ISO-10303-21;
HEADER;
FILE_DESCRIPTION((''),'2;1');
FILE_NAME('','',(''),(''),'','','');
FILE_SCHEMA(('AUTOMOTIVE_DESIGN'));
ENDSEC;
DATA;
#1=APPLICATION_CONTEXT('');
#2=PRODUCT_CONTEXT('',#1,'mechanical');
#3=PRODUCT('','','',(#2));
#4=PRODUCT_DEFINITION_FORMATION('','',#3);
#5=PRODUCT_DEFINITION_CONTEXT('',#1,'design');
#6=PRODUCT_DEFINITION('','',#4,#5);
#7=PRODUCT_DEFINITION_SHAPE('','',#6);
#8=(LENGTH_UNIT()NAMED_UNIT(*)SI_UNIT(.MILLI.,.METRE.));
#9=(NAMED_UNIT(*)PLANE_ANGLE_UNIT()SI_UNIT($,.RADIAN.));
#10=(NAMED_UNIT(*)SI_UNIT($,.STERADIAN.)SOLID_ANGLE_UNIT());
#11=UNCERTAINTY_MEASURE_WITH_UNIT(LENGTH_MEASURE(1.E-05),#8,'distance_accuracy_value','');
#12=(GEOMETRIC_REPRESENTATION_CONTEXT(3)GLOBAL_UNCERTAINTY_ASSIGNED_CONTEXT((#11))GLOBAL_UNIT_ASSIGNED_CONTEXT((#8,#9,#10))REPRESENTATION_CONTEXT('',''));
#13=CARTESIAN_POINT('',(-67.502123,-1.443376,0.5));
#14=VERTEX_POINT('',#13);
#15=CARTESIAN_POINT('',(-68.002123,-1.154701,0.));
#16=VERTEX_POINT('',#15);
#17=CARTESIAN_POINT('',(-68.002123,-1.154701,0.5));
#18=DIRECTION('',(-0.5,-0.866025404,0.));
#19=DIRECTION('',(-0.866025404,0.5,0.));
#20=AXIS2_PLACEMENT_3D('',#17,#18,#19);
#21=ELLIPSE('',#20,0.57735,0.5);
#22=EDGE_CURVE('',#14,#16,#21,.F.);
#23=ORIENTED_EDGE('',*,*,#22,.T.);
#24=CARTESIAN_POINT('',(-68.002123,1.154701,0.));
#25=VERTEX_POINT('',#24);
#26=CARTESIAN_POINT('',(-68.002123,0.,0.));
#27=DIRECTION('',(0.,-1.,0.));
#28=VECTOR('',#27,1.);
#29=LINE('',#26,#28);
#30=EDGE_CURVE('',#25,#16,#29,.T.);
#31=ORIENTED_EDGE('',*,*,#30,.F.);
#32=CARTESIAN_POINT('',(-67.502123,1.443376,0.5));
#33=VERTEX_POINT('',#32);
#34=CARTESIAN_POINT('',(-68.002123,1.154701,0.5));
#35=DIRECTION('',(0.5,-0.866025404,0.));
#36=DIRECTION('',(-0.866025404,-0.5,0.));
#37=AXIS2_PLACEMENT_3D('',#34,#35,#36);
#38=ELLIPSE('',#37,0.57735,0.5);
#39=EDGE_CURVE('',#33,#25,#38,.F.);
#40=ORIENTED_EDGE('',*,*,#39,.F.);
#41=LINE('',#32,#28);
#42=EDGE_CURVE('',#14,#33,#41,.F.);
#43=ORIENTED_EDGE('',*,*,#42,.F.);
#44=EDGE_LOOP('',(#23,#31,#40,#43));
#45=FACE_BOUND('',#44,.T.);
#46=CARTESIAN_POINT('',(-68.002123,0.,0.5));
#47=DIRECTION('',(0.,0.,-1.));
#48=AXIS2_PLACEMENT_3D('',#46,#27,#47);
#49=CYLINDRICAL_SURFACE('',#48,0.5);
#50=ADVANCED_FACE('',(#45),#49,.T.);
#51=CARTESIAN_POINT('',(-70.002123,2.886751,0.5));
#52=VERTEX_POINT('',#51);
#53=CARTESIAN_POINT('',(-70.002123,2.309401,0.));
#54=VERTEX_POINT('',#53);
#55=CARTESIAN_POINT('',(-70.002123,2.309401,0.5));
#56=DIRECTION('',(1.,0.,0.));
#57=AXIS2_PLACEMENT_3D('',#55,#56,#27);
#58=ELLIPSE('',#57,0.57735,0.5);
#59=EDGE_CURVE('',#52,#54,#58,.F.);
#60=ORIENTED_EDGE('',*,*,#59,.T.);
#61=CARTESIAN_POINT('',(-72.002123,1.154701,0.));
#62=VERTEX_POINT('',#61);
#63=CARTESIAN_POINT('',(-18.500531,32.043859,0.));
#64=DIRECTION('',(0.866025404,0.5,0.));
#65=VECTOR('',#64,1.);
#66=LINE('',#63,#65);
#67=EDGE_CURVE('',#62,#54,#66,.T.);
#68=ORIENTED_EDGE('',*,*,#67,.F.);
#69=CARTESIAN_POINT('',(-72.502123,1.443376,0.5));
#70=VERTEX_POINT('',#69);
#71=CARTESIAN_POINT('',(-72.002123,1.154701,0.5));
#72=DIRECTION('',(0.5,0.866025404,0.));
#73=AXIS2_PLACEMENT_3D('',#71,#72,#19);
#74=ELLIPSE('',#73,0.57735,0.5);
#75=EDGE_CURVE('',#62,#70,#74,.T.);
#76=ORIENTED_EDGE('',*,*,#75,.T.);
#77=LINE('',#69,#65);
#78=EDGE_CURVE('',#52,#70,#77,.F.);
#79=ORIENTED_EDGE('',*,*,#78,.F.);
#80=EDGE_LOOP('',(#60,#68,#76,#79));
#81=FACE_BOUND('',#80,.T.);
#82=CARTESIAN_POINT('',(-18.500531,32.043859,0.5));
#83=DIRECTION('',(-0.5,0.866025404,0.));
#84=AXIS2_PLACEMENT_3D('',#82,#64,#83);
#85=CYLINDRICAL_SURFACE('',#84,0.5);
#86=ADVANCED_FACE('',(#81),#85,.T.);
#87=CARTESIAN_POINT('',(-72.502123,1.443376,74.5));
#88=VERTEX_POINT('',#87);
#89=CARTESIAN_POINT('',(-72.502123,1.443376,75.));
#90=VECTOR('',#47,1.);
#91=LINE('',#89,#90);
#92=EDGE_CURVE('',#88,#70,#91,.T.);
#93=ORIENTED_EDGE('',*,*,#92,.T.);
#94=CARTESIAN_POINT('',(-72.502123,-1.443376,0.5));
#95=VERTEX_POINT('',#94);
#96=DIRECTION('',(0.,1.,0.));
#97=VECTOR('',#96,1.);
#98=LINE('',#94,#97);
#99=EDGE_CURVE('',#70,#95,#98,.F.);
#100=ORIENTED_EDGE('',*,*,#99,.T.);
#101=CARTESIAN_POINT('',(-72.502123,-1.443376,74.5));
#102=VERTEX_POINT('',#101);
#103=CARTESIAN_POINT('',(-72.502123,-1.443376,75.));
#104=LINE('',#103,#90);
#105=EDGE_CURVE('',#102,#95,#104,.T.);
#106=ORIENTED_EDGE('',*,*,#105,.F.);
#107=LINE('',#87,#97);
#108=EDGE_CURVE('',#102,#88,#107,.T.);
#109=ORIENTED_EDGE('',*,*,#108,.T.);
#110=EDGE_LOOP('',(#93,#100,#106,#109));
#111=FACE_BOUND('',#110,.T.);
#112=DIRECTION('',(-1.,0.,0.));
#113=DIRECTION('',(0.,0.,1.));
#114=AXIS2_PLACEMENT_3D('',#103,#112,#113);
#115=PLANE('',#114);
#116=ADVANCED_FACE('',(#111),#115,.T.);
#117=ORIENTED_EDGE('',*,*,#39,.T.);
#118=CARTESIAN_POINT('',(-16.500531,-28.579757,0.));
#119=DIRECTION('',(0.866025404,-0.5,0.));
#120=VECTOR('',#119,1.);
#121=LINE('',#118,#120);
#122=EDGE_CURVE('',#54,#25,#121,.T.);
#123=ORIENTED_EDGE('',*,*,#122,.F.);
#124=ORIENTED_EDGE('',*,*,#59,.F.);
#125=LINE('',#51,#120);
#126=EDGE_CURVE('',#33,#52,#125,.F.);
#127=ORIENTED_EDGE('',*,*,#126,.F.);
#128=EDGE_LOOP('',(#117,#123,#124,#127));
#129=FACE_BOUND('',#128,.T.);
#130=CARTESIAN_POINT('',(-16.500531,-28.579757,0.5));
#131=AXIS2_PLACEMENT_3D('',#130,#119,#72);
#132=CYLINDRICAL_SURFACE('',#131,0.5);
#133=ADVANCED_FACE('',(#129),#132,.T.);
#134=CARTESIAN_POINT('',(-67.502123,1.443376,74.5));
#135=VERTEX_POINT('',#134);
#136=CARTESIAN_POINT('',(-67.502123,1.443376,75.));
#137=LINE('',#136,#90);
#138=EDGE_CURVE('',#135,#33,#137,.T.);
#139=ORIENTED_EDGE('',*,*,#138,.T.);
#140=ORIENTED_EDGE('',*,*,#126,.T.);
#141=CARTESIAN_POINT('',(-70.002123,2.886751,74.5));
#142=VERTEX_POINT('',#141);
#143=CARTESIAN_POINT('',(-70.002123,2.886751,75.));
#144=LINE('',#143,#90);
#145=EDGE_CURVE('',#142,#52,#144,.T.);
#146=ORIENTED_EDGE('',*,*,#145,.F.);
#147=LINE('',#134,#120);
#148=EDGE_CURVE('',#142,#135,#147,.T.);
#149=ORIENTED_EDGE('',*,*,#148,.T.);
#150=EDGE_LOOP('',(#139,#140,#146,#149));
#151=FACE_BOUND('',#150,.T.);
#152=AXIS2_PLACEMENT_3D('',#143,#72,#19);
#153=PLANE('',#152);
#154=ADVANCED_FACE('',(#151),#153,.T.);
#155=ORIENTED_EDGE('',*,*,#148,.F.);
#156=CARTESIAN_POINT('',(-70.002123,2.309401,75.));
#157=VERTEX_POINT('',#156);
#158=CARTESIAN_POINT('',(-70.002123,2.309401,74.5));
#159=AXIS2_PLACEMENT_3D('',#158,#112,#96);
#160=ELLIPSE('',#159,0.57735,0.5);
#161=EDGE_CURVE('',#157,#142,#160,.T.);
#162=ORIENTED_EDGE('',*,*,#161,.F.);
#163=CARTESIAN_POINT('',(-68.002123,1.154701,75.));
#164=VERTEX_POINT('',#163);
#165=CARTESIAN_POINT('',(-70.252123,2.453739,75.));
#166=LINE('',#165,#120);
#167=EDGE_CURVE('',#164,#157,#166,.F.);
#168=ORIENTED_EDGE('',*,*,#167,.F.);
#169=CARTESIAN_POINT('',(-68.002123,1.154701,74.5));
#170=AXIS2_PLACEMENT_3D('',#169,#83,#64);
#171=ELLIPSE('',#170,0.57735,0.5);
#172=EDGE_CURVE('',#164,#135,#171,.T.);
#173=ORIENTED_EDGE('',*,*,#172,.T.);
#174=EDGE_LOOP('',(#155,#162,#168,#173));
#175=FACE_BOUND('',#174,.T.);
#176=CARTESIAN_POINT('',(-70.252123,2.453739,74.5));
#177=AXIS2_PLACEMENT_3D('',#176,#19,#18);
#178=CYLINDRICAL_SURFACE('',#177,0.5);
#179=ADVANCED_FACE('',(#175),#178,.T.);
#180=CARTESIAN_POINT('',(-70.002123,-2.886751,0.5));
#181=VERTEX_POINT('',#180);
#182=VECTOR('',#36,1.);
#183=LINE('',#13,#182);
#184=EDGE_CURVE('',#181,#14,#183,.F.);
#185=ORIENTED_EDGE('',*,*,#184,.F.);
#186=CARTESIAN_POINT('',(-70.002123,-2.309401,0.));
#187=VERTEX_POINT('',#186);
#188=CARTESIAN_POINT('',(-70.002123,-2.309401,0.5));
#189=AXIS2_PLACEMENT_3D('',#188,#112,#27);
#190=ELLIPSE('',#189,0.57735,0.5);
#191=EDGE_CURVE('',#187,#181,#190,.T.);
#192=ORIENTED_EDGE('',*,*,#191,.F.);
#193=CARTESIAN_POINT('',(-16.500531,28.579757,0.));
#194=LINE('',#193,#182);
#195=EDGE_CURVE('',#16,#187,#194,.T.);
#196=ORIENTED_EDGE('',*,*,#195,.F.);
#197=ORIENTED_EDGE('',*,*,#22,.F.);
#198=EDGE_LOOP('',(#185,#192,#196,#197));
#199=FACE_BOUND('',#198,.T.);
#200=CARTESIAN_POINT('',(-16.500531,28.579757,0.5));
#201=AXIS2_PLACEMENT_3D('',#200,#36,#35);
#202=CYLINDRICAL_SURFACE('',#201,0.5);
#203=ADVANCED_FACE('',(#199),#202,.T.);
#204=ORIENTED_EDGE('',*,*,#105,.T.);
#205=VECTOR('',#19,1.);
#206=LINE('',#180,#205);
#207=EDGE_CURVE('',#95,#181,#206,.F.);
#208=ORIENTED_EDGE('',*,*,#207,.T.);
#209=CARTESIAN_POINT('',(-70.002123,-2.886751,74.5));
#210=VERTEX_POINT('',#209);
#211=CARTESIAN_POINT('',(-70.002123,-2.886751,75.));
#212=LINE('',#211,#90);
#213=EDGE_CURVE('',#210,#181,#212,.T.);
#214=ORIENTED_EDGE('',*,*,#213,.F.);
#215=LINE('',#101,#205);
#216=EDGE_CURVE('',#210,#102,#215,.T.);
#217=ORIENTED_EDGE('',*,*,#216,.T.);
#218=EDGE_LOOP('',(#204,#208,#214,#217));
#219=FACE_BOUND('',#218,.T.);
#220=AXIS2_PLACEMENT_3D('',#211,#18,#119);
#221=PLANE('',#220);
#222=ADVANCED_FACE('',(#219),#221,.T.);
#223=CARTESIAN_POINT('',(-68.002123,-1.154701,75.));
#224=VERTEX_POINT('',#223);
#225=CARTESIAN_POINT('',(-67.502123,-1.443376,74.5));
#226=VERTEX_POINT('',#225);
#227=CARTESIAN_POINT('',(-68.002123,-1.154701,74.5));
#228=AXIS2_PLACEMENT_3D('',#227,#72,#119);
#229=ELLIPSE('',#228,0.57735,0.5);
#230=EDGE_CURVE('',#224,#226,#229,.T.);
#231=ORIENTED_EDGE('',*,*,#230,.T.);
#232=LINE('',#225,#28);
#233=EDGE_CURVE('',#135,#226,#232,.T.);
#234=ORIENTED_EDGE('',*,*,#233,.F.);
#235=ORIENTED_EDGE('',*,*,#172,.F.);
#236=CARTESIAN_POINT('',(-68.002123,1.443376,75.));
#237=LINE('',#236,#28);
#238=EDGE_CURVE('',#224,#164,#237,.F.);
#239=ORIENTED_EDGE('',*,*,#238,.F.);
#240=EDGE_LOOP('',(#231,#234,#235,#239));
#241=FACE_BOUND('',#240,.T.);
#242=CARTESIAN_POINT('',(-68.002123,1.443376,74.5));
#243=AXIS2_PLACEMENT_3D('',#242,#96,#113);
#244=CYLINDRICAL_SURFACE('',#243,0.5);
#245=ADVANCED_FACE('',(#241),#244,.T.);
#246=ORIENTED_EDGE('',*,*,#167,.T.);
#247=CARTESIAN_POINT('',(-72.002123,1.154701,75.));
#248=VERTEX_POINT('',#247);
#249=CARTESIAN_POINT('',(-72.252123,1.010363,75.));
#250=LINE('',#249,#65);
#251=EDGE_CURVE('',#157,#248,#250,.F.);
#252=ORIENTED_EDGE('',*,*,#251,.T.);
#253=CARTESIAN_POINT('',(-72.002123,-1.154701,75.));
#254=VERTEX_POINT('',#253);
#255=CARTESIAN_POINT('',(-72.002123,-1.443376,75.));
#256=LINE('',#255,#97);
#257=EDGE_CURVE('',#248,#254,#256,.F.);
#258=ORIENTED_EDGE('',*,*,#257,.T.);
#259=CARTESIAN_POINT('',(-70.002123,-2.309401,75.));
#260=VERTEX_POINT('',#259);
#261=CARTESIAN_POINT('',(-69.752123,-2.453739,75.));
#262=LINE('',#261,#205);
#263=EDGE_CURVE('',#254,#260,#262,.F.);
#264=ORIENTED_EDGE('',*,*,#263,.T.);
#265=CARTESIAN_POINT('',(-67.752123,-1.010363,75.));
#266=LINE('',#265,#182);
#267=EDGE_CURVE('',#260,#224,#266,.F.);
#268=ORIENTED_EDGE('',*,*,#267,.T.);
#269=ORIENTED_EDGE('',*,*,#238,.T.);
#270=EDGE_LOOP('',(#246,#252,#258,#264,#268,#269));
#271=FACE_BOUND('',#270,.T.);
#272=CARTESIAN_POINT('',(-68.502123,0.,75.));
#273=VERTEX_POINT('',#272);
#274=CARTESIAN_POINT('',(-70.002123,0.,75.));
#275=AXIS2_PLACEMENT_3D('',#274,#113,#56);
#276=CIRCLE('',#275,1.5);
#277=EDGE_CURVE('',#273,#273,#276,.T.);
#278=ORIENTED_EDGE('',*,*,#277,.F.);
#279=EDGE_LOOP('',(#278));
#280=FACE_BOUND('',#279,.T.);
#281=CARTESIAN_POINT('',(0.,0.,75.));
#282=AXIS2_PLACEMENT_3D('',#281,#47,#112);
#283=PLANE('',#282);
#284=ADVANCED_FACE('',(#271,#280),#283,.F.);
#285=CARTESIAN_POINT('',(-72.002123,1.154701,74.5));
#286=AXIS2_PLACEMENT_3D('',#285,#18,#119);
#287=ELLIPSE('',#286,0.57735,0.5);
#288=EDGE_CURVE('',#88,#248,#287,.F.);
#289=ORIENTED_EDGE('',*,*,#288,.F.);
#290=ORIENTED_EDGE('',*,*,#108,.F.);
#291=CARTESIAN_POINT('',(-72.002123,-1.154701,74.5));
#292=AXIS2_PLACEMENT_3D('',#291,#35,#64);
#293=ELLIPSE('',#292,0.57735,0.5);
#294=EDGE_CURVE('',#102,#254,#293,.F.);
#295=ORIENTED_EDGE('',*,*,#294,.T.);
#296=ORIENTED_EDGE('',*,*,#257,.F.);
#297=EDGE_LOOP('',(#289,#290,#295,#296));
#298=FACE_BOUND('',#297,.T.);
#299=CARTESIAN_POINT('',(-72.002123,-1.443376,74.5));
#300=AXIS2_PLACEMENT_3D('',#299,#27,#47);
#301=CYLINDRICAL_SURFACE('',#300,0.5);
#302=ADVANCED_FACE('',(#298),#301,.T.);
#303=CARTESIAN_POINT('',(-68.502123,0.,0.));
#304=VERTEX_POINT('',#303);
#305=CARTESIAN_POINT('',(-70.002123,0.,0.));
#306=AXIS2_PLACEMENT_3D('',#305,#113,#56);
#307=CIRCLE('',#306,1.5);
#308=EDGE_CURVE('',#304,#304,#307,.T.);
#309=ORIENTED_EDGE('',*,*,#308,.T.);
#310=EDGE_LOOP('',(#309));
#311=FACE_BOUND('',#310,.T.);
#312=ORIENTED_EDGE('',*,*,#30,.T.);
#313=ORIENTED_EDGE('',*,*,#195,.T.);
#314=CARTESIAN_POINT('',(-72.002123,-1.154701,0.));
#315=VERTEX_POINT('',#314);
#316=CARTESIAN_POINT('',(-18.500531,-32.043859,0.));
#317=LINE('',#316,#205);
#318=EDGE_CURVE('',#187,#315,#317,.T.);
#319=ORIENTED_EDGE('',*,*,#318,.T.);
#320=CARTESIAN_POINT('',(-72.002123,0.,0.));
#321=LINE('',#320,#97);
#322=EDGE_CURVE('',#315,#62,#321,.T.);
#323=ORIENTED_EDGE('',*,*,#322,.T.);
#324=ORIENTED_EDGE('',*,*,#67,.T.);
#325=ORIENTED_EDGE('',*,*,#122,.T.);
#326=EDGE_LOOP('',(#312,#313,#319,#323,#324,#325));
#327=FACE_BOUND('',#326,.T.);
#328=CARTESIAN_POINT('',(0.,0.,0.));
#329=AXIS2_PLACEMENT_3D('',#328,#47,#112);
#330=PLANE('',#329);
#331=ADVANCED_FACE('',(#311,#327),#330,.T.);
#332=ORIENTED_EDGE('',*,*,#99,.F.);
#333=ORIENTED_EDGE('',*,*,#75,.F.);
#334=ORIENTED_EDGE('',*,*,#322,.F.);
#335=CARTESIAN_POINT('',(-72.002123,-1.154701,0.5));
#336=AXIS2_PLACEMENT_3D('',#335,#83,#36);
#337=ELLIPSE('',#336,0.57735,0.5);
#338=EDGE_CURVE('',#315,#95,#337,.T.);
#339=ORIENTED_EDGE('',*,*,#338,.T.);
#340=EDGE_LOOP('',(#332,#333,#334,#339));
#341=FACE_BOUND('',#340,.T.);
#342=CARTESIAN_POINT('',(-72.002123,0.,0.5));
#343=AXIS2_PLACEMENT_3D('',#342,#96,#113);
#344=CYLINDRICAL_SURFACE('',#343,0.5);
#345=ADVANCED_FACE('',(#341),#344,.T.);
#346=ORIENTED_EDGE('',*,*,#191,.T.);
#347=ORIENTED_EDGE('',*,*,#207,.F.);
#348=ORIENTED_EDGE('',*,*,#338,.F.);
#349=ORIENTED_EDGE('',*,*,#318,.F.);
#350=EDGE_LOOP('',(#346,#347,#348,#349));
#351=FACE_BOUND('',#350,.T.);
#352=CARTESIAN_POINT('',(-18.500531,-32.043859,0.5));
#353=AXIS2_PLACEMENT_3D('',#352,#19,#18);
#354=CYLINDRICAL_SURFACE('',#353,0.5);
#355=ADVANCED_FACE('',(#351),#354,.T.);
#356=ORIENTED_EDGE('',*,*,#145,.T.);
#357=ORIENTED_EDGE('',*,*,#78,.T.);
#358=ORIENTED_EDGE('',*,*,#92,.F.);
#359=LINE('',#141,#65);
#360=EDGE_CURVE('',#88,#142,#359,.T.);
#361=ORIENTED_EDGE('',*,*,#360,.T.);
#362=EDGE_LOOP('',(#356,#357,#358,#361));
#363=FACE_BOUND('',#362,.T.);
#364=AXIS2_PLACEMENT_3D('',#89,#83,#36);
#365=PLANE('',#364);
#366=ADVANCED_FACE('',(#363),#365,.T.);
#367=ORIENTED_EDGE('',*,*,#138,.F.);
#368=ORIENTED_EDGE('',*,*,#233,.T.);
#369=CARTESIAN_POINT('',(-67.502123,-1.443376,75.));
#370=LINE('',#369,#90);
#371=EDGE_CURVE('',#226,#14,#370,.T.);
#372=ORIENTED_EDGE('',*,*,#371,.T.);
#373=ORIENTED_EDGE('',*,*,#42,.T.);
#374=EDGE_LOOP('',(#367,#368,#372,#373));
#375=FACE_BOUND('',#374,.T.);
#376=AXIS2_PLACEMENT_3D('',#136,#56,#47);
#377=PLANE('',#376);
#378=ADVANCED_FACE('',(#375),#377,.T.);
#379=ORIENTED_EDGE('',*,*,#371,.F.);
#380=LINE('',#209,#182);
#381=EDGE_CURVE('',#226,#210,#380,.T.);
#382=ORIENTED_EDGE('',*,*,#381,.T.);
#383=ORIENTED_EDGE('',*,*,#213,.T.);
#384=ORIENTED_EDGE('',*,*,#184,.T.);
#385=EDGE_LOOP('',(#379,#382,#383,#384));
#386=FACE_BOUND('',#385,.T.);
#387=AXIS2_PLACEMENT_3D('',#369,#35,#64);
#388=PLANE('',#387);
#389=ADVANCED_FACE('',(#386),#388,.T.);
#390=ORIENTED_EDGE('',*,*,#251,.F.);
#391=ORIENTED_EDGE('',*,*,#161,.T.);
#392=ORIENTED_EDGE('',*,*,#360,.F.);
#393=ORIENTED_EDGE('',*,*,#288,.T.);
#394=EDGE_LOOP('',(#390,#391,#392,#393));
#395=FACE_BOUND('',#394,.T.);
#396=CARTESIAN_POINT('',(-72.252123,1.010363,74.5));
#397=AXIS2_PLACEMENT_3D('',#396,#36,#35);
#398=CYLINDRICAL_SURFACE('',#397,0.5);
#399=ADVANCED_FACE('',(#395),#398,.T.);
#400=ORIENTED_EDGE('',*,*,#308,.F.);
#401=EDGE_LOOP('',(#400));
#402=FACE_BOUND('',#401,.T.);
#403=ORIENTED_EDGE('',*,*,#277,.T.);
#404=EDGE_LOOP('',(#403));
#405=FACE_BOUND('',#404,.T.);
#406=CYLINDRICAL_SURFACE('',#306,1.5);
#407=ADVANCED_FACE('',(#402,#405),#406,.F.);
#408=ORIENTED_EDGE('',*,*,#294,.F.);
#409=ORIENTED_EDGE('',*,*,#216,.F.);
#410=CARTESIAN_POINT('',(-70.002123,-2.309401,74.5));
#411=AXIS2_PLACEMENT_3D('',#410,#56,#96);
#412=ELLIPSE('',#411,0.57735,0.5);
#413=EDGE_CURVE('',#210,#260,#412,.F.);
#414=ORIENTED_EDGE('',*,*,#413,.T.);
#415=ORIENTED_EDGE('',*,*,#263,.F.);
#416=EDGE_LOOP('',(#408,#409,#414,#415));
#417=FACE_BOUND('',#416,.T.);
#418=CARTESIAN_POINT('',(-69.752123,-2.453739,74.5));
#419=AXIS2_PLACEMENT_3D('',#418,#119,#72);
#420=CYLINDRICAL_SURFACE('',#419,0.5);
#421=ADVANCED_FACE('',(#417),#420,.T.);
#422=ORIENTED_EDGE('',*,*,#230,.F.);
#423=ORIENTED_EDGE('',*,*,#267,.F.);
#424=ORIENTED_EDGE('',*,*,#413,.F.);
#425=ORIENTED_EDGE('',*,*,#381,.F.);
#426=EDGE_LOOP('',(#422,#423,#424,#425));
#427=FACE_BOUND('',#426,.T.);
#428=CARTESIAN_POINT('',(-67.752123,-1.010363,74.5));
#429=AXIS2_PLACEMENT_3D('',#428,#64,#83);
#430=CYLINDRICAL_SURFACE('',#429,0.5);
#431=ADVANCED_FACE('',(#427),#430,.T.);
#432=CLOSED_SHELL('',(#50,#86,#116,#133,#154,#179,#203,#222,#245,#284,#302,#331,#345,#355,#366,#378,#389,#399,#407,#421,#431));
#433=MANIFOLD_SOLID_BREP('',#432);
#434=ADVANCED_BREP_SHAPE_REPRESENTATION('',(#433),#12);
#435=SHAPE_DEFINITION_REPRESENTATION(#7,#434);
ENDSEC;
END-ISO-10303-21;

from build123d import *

# Parameters (mm, degrees)
RESSALTO_EXTRUS_O1_DEPTH = 75
FILETE1_R                = 0.5
ESBO_O2_R                = 1.5
CORTE_EXTRUS_O1_DEPTH    = 105.354641132


with BuildPart() as part:
    # Esboço1 → Ressalto-extrusão1 (new body)
    with BuildSketch(Plane(origin=(0, 0, 0), x_dir=(-1, 0, 0), z_dir=(0, 0, -1))):
        Polygon((67.502122675, -1.443375673), (70.002122675, -2.886751346), (72.502122675, -1.443375673), (72.502122675, 1.443375673), (70.002122675, 2.886751346), (67.502122675, 1.443375673), align=None)
    extrude(amount=-RESSALTO_EXTRUS_O1_DEPTH)

    # Filete1
    filete1_edges = [part.edges().sort_by_distance(p)[0] for p in [
        (-71.252122675, -2.165063509, 75),
        (-72.502122675, 0, 75),
        (-71.252122675, 2.165063509, 75),
        (-68.752122675, 2.165063509, 75),
        (-67.502122675, 0, 75),
        (-68.752122675, 2.165063509, 0),
        (-71.252122675, 2.165063509, 0),
        (-72.502122675, 0, 0),
        (-71.252122675, -2.165063509, 0),
        (-68.752122675, -2.165063509, 0),
        (-67.502122675, 0, 0),
        (-68.752122675, -2.165063509, 75),
    ]]
    fillet(filete1_edges, radius=FILETE1_R)

    # Esboço2 → Corte-extrusão1 (cut, through all)
    with BuildSketch(Plane.XY.offset(75)):
        with Locations((-70.002122675, 0)):
            Circle(ESBO_O2_R)
    extrude(amount=-CORTE_EXTRUS_O1_DEPTH, mode=Mode.SUBTRACT)


solid = part.part
